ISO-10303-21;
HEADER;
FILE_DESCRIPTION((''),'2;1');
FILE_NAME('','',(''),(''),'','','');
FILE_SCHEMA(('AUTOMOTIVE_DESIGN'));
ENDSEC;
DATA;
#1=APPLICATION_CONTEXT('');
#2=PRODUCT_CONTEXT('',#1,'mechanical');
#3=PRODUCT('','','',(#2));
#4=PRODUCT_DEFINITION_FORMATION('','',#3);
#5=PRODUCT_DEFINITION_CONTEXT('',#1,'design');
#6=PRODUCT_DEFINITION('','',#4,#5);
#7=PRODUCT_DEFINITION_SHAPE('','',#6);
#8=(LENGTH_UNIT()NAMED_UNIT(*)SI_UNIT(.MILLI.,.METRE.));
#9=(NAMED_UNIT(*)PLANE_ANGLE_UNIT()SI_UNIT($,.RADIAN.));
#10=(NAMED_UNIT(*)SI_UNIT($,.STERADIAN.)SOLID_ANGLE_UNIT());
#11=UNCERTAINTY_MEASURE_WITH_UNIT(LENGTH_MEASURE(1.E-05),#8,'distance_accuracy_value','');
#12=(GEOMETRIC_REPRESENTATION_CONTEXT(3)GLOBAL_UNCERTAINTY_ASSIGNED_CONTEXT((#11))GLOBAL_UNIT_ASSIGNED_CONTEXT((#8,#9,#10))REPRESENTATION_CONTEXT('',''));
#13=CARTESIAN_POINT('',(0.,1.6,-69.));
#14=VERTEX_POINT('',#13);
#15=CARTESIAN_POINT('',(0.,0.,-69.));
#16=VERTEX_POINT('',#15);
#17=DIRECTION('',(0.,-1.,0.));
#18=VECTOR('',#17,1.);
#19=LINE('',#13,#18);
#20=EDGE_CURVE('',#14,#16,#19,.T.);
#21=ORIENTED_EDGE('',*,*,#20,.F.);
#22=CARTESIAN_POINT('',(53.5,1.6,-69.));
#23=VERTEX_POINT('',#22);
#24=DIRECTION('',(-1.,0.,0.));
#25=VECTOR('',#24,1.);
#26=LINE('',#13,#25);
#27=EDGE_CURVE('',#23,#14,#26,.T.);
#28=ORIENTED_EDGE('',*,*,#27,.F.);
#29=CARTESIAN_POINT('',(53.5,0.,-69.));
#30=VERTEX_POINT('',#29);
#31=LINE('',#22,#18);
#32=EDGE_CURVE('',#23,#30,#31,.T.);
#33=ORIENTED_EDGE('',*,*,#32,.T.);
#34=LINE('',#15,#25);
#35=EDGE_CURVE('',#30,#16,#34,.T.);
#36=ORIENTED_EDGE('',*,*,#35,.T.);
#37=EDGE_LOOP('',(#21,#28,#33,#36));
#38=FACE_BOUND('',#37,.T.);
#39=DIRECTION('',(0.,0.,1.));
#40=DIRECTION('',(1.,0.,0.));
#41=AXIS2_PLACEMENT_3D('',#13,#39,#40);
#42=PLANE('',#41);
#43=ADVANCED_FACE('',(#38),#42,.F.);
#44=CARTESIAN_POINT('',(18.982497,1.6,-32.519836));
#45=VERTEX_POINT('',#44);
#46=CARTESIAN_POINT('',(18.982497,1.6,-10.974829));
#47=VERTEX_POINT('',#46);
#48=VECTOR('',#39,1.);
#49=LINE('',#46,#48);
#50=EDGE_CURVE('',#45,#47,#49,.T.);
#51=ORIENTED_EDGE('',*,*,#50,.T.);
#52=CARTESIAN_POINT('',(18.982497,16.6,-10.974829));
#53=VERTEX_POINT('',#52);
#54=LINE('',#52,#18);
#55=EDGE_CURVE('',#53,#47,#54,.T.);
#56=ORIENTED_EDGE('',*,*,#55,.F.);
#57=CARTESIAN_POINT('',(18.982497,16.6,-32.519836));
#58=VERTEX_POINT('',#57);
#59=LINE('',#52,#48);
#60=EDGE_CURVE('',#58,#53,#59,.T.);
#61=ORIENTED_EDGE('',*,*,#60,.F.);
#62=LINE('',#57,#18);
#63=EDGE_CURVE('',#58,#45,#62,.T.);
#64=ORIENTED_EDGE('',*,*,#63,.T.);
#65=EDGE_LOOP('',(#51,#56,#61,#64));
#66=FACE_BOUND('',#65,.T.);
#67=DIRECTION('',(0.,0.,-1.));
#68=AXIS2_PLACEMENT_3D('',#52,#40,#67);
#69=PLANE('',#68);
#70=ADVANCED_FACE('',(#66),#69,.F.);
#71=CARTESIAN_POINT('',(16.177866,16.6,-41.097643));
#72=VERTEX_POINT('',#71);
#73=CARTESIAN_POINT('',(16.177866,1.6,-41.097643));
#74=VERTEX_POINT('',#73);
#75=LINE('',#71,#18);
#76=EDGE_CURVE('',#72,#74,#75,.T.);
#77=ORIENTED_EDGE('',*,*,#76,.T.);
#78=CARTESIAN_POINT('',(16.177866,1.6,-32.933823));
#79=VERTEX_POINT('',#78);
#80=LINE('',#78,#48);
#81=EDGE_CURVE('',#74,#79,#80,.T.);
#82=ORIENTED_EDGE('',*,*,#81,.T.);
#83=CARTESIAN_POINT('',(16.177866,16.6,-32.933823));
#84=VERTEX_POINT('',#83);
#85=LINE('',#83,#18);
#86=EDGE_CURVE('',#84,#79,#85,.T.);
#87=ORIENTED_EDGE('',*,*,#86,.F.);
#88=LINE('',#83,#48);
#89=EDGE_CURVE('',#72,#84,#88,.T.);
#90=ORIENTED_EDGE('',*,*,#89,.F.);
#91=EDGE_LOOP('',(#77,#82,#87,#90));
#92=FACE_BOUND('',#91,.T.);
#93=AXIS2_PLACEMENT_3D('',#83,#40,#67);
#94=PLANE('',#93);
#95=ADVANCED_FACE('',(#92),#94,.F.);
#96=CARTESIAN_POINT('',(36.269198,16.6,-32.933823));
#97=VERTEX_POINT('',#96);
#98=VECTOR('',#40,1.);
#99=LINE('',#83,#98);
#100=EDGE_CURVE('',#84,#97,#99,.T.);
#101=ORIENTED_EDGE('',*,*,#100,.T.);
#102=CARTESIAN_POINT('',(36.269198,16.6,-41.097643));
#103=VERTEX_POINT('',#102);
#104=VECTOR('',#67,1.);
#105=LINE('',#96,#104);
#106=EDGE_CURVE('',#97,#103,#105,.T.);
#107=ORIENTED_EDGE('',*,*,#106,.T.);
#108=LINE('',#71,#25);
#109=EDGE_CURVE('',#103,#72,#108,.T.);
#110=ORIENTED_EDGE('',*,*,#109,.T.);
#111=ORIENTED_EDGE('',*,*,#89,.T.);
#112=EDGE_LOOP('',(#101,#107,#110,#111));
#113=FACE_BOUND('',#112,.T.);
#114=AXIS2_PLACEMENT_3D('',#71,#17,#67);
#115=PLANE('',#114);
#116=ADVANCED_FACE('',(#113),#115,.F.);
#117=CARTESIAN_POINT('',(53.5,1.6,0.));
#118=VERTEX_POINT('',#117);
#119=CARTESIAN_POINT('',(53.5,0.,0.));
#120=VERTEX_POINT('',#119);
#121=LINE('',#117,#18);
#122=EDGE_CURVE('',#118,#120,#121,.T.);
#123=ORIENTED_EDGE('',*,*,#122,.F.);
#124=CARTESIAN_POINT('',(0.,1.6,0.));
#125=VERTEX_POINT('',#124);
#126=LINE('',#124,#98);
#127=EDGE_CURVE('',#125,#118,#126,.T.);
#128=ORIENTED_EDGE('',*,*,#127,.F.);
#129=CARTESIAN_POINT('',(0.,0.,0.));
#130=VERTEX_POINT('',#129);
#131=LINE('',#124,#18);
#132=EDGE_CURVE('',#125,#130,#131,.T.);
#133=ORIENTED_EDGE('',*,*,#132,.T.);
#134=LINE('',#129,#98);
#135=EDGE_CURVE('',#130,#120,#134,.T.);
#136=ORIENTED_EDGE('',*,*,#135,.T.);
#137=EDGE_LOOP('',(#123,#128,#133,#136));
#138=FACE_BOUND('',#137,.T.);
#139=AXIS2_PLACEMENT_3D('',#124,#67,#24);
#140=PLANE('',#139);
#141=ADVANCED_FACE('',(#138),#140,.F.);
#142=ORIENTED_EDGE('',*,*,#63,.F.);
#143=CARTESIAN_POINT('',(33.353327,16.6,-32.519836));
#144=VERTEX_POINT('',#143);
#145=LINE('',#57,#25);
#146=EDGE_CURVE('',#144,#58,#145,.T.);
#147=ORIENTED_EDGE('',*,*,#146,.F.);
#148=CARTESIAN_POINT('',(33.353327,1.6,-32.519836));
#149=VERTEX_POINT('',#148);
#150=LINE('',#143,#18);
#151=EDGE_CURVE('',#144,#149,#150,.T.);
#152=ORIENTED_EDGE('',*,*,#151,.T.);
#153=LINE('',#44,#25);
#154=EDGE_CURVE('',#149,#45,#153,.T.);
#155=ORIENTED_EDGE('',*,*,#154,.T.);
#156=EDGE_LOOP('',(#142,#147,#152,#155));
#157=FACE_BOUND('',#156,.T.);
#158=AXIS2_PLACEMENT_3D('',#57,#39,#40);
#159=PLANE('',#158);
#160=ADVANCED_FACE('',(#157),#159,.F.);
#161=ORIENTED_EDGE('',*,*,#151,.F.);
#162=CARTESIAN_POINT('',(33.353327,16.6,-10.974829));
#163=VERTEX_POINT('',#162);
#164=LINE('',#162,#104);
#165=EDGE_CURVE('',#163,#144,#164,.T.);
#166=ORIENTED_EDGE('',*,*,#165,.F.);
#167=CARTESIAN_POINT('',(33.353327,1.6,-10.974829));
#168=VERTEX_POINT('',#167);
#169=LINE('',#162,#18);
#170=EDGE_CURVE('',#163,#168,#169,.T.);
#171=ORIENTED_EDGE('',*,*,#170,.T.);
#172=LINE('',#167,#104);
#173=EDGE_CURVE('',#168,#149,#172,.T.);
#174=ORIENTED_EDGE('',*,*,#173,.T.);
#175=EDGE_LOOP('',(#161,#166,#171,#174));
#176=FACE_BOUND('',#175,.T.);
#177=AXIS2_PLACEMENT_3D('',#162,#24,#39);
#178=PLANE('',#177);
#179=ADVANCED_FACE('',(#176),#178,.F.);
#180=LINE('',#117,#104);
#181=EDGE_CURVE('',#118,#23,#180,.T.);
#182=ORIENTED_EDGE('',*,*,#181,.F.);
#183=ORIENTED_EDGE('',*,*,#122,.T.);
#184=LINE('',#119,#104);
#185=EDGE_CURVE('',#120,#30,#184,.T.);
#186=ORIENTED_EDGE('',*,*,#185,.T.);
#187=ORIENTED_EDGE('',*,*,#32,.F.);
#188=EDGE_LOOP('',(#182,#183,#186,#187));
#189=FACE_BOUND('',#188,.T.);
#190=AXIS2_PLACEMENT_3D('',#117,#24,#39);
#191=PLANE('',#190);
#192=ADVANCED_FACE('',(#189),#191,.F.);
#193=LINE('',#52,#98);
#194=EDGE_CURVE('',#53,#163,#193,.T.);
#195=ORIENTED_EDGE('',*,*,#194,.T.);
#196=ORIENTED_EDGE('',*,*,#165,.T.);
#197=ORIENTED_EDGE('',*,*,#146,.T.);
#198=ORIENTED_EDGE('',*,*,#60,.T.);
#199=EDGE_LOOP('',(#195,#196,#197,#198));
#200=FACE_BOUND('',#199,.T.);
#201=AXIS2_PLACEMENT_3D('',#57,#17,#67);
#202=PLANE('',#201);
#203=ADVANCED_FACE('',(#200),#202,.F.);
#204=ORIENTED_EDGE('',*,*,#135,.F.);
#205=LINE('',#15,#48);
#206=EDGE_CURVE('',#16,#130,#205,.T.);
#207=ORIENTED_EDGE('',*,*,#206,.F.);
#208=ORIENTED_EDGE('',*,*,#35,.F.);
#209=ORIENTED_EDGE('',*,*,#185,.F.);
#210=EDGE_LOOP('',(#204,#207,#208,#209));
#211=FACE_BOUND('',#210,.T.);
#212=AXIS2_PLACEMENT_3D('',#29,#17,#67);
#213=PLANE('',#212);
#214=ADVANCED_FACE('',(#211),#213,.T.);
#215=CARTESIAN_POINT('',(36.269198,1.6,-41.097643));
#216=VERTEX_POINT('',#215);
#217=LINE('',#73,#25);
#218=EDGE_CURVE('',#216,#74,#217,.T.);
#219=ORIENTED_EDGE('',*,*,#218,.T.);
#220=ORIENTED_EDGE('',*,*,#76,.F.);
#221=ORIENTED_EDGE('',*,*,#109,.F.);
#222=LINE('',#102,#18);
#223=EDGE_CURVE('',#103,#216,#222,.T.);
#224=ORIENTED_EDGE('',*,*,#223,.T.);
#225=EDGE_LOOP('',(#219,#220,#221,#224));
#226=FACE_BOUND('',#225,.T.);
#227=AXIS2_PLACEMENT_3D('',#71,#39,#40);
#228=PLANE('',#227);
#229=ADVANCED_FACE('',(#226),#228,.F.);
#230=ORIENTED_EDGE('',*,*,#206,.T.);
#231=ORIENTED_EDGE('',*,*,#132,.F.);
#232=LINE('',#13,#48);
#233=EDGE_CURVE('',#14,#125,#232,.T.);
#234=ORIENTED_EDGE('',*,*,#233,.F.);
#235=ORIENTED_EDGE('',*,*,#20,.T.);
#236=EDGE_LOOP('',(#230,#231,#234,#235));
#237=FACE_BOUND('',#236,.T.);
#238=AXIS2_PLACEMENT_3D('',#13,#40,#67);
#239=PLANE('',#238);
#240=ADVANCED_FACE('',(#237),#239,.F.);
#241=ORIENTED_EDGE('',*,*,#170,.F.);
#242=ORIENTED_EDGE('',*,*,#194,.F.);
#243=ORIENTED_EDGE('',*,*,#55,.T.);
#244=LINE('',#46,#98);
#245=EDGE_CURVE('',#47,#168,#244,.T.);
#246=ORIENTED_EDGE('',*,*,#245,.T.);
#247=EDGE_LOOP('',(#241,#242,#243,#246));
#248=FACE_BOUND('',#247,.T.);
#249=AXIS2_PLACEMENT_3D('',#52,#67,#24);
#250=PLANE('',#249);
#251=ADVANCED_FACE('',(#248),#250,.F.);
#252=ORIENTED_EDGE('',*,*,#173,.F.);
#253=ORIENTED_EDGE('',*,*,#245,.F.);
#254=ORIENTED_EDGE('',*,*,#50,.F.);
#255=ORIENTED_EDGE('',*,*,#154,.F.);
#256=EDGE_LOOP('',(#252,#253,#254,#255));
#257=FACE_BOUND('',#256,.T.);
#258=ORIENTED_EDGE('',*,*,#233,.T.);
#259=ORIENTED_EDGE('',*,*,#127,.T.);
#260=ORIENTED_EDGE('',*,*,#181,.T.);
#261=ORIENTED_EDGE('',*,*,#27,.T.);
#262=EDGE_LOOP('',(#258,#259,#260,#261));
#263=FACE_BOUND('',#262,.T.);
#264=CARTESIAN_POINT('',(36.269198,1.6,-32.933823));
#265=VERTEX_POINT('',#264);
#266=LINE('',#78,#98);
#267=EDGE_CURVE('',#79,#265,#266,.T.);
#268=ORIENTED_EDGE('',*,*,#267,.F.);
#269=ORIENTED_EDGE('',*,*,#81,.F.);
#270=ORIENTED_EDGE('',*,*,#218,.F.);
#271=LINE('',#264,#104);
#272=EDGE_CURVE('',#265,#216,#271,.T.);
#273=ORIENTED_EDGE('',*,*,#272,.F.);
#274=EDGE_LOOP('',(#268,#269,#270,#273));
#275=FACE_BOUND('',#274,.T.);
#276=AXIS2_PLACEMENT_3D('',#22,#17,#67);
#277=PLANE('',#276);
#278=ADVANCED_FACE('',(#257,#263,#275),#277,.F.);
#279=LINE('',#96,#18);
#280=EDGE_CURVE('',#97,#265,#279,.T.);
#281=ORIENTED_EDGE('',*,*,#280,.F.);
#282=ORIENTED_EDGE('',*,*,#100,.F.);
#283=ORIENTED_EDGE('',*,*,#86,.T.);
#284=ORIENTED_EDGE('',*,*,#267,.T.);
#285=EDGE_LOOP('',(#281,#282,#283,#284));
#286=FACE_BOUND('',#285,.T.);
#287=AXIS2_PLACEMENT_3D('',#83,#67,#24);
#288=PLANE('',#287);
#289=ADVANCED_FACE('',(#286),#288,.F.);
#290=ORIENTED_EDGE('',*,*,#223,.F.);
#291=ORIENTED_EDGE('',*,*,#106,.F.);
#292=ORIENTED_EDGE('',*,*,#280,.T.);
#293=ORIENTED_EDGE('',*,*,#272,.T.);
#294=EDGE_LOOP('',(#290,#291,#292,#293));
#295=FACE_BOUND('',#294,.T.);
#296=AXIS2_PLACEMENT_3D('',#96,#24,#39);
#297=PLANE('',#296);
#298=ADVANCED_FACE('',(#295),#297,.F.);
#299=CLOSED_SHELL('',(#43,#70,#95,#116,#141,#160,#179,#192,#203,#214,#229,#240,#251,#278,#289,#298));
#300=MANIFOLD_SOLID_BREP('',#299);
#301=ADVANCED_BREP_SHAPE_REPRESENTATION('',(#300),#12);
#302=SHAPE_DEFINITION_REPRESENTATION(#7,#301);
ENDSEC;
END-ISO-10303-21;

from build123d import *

# Parameters (mm, degrees)
SKETCH1_W           = 53.5
SKETCH1_H           = 69
BOSS_EXTRUDE1_DEPTH = 1.6
SKETCH2_W           = 14.370829491
SKETCH2_H           = 21.545006918
SKETCH2_W_2         = 20.091332163
SKETCH2_H_2         = 8.16381914
BOSS_EXTRUDE2_DEPTH = 15


with BuildPart() as part:
    # Sketch1 → Boss-Extrude1 (new body)
    with BuildSketch(Plane(origin=(0, 0, 0), x_dir=(1, 0, 0), z_dir=(0, 1, 0))):
        with Locations((26.75, 34.5)):
            Rectangle(SKETCH1_W, SKETCH1_H)
    extrude(amount=BOSS_EXTRUDE1_DEPTH)

    # Sketch2 → Boss-Extrude2 (add)
    with BuildSketch(Plane(origin=(0, 1.6, 0), x_dir=(1, 0, 0), z_dir=(0, 1, 0))):
        with Locations((26.167912185, 21.747332369)):
            Rectangle(SKETCH2_W, SKETCH2_H)
        with Locations((26.223532009, 37.015733034)):
            Rectangle(SKETCH2_W_2, SKETCH2_H_2)
    extrude(amount=BOSS_EXTRUDE2_DEPTH)


solid = part.part
